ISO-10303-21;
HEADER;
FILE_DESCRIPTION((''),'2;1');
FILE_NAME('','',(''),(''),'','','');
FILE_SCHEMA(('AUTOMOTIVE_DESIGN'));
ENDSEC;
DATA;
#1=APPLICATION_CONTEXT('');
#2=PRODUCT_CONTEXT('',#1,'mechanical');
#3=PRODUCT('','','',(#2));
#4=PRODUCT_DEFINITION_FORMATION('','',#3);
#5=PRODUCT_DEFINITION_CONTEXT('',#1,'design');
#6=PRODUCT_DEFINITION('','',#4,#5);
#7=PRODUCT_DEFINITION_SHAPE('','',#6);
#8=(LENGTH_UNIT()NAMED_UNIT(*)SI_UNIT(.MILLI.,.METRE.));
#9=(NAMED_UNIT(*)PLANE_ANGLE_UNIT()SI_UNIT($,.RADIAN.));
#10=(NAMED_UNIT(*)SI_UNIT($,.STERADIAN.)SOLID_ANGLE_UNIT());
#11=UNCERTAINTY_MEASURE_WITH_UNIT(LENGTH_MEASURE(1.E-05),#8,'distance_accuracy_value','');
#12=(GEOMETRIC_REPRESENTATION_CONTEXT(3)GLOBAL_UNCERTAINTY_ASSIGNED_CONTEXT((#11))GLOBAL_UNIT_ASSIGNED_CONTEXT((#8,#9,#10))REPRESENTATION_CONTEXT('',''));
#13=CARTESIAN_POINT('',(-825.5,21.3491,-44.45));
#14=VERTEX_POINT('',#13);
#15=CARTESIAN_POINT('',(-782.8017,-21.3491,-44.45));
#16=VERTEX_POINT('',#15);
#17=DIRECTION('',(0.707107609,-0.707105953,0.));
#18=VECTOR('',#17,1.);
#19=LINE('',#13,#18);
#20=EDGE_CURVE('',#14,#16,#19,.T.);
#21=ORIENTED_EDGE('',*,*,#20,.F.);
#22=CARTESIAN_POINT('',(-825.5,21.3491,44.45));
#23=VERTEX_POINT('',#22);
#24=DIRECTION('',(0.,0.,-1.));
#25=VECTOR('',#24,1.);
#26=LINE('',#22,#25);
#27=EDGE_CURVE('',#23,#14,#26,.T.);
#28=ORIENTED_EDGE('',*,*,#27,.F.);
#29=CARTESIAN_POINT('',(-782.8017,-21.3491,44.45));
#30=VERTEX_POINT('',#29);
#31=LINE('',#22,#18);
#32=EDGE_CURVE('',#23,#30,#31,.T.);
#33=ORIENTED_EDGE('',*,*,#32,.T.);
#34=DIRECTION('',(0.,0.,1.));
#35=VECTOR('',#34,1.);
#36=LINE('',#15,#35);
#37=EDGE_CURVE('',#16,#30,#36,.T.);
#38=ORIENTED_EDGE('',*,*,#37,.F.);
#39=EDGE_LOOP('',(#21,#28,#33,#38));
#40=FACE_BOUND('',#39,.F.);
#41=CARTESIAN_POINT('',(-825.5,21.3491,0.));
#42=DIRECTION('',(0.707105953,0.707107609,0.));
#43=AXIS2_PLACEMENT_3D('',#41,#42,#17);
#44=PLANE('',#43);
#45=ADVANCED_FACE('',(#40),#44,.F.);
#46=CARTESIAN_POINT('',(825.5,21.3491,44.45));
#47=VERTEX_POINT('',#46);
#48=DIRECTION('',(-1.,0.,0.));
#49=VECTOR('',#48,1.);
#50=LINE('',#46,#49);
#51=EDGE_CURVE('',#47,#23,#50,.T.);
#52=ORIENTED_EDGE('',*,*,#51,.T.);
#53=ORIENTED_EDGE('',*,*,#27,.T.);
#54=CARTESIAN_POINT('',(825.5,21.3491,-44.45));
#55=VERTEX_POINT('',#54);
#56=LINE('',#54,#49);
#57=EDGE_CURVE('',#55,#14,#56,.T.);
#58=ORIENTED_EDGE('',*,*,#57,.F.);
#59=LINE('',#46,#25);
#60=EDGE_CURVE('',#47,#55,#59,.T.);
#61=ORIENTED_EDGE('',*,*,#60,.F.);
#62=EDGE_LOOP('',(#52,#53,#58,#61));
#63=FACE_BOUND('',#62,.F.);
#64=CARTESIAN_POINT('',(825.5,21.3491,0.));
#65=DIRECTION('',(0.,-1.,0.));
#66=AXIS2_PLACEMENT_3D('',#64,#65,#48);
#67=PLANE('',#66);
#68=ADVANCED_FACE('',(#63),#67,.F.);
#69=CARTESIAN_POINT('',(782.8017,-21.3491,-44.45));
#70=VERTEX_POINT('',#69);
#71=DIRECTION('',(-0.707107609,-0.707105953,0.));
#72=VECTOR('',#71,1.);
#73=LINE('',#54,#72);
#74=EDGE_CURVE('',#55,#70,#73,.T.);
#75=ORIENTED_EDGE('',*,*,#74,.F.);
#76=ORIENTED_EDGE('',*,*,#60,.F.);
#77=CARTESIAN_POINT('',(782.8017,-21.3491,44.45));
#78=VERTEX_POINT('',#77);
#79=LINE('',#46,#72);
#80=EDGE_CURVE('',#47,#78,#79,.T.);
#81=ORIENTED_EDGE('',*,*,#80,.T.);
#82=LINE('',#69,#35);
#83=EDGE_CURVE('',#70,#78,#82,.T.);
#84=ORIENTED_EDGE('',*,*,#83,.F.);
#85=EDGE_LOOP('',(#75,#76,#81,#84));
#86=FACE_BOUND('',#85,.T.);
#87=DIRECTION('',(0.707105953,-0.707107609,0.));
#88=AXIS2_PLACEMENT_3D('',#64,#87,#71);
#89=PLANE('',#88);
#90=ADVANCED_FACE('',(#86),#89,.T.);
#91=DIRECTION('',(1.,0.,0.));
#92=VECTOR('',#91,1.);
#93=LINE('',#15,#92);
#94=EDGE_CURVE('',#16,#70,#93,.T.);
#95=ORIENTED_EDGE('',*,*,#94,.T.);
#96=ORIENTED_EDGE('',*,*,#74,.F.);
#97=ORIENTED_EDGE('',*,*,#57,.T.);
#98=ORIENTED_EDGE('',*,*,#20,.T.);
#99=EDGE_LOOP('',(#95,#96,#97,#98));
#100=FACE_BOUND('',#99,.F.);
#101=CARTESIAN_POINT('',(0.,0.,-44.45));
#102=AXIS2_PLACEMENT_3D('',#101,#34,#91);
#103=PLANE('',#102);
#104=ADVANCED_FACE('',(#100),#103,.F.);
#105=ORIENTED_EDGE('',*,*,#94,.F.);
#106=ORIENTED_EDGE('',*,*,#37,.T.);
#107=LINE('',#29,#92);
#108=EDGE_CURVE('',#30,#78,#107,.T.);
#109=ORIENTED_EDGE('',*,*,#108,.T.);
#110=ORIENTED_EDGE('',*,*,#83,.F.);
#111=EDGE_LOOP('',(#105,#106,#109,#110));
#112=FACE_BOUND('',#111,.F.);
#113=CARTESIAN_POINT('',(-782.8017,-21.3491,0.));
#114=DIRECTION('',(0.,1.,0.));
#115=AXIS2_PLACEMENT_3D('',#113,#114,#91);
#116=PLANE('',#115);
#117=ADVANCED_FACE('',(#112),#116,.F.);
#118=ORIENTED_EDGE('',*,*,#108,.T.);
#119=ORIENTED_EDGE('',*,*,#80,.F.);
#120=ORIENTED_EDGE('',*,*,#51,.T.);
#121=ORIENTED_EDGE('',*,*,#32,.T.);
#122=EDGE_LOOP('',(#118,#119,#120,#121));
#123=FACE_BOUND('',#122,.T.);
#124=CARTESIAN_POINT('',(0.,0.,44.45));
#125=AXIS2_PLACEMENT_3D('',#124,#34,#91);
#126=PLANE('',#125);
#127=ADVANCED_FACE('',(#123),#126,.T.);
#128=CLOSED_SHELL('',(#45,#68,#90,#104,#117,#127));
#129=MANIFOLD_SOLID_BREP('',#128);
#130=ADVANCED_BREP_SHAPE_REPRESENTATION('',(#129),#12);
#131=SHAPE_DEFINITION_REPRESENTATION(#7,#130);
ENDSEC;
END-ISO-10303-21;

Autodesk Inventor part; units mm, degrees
ref_plane "YZ Plane" through (0, 0, 0) normal (1, 0, 0) x (0, 1, 0)
ref_plane "XZ Plane" through (0, 0, 0) normal (0, 1, 0) x (-1, 0, 0)
ref_plane "XY Plane" through (0, 0, 0) normal (0, 0, 1) x (1, 0, 0)
sketch "Sketch2" plane through (0, 0, 0) normal (0, 0, 1) x (1, 0, 0)
  line L0 (-782.8017, -21.3491) -> (782.8017, -21.3491)
  line L1 (825.5, 21.3491) -> (-825.5, 21.3491)
  line L2 (-825.5, -21.3491) -> (825.5, 21.3491) construction
  line L3 (825.5, -21.3491) -> (-825.5, 21.3491) construction
  line L4 (-825.5, 21.3491) -> (-782.8017, -21.3491)
  line L5 (-825.5, 21.3491) -> (-765.1155, 21.3491) construction
  line L6 (825.5, 21.3491) -> (782.8017, -21.3491)
  line L7 (825.5, 21.3491) -> (885.8845, 21.3491) construction
  point P0 (0, 0)
  dimension "d10" = 45
  dimension "d11" = 135
  dimension "d14" = 1651
extrude "Extrusion2" add sketch "Sketch2" along normal mid plane 88.9
properties part number "65 Inch 45 Diagonal Piece" material "Wood (Birch)"
